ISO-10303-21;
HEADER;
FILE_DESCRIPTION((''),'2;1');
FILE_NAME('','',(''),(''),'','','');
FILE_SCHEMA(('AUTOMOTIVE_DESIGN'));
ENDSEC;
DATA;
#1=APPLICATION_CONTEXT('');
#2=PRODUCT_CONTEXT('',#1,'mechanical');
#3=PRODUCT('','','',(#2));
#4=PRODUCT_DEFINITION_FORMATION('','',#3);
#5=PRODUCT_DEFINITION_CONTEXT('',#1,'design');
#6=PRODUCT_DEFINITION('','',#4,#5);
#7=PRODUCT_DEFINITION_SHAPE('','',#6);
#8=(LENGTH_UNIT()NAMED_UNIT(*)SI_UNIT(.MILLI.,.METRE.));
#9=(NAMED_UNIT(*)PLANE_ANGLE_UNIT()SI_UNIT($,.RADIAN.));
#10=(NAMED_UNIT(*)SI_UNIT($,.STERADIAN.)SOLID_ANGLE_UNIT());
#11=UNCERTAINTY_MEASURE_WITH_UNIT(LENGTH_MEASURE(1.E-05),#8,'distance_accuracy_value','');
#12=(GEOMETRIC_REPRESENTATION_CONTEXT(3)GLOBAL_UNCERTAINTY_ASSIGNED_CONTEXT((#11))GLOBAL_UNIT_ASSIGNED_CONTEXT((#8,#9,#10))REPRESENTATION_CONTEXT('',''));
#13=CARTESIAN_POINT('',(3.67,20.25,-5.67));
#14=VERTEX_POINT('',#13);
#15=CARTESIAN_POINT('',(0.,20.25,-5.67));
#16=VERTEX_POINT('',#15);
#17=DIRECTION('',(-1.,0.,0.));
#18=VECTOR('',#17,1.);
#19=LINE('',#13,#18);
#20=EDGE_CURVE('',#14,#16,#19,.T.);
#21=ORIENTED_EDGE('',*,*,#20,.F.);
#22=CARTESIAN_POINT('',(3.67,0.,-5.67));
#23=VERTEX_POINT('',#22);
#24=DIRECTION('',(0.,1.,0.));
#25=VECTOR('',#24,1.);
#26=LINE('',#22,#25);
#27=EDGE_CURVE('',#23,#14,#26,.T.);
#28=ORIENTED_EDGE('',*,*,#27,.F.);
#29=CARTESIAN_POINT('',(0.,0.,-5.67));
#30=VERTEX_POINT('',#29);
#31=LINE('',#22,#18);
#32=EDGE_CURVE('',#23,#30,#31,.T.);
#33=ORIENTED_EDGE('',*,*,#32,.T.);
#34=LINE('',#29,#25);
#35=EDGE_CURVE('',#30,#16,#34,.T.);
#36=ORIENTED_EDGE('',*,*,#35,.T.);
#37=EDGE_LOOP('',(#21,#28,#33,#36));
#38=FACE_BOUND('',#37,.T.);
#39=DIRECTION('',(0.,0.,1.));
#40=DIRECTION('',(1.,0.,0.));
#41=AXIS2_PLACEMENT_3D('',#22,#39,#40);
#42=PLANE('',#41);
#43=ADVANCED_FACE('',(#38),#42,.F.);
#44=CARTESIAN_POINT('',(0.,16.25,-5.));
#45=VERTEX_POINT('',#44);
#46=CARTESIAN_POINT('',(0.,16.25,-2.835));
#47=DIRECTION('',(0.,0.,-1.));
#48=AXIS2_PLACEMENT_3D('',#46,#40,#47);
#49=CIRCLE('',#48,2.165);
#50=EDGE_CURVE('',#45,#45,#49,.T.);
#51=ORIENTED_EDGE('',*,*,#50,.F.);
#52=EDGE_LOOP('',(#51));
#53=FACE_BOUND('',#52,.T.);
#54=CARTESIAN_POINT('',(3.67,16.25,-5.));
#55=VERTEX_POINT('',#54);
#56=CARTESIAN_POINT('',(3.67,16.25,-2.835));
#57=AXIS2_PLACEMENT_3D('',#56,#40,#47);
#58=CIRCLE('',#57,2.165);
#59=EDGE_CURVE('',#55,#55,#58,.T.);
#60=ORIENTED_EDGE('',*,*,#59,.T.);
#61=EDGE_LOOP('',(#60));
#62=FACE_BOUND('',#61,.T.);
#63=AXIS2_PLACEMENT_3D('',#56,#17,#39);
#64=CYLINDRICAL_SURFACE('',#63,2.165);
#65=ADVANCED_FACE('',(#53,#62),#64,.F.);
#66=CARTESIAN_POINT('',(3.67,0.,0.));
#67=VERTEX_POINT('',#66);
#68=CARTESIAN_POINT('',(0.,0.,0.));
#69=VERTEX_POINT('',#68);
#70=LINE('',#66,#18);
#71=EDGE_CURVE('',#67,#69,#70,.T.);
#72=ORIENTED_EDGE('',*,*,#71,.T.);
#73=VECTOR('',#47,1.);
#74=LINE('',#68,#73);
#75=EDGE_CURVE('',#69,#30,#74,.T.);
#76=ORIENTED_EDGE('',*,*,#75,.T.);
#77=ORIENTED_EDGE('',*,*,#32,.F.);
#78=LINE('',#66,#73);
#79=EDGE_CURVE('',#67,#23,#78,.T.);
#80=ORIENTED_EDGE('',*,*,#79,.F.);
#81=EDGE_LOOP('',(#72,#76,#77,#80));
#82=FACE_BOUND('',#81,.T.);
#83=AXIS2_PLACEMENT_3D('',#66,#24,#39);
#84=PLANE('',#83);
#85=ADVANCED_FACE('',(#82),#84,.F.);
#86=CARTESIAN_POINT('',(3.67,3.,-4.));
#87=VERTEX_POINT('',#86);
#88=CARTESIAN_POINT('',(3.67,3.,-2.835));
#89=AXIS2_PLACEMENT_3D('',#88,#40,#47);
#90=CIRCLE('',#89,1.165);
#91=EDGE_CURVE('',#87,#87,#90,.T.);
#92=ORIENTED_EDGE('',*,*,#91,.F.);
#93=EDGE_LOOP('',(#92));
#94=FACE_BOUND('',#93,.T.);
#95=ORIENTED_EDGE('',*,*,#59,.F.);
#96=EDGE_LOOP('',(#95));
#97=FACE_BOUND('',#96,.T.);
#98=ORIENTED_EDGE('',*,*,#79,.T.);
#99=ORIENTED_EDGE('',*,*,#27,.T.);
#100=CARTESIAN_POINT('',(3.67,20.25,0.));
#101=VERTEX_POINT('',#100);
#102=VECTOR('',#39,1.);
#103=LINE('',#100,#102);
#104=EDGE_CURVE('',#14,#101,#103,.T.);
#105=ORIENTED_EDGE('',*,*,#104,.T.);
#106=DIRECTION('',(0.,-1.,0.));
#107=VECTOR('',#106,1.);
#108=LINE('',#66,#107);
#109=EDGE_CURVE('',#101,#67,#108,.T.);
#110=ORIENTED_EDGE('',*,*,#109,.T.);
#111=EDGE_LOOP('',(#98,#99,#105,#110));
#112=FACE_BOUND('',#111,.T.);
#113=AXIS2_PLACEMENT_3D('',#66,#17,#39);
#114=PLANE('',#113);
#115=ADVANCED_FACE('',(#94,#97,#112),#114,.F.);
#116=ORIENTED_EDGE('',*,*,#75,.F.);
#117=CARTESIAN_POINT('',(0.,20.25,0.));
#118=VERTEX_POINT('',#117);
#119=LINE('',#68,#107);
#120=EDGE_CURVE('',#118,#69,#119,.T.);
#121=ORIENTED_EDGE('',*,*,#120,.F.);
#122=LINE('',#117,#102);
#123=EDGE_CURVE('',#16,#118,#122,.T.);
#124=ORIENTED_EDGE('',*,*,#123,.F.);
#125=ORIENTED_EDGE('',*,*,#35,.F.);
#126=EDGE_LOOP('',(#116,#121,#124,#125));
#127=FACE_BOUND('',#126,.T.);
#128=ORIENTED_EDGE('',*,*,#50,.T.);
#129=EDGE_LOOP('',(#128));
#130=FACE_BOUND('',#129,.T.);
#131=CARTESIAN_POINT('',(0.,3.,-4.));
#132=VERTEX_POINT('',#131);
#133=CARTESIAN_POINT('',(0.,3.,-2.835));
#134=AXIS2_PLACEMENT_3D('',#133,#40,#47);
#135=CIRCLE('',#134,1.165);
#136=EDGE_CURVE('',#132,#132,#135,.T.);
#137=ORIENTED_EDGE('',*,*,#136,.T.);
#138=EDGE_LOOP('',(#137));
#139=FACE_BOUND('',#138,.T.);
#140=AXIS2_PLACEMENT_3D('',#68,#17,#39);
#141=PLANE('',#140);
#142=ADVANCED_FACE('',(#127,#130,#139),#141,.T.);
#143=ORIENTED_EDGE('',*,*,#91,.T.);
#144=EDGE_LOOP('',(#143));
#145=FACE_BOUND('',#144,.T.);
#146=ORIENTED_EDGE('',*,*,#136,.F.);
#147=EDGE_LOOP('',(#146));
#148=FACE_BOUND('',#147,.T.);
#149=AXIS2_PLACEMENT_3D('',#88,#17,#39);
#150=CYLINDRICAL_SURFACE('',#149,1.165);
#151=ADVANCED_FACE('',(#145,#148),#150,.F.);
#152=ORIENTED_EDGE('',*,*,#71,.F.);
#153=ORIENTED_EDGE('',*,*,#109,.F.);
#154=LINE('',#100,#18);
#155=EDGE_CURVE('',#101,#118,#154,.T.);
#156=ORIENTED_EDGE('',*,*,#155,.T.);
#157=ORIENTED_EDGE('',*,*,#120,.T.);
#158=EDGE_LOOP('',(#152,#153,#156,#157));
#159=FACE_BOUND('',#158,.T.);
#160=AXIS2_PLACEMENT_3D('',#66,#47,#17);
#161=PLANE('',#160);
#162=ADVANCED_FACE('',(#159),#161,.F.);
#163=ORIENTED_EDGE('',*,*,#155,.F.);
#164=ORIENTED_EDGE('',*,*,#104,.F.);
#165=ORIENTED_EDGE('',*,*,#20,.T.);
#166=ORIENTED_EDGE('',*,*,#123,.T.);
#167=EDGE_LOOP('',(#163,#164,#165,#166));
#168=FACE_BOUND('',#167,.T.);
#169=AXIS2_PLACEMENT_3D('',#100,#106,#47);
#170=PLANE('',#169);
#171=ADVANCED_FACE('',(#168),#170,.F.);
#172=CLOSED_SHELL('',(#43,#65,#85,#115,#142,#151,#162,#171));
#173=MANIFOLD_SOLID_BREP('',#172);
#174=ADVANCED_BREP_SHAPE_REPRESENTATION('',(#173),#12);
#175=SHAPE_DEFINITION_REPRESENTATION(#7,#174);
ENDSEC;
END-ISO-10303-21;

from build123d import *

# Parameters (mm, degrees)
SKETCH5_W           = 5.67
SKETCH5_H           = 20.25
SKETCH5_R           = 1.165
SKETCH5_R_2         = 2.165
BOSS_EXTRUDE2_DEPTH = 3.67


with BuildPart() as part:
    # Sketch5 → Boss-Extrude2 (new body)
    with BuildSketch(Plane(origin=(0, 0, 0), x_dir=(0, 0, -1), z_dir=(1, 0, 0))):
        with Locations((2.835, 10.125)):
            Rectangle(SKETCH5_W, SKETCH5_H)
        with Locations((2.835, 3)):
            Circle(SKETCH5_R, mode=Mode.SUBTRACT)
        with Locations((2.835, 16.25)):
            Circle(SKETCH5_R_2, mode=Mode.SUBTRACT)
    extrude(amount=BOSS_EXTRUDE2_DEPTH)


solid = part.part
